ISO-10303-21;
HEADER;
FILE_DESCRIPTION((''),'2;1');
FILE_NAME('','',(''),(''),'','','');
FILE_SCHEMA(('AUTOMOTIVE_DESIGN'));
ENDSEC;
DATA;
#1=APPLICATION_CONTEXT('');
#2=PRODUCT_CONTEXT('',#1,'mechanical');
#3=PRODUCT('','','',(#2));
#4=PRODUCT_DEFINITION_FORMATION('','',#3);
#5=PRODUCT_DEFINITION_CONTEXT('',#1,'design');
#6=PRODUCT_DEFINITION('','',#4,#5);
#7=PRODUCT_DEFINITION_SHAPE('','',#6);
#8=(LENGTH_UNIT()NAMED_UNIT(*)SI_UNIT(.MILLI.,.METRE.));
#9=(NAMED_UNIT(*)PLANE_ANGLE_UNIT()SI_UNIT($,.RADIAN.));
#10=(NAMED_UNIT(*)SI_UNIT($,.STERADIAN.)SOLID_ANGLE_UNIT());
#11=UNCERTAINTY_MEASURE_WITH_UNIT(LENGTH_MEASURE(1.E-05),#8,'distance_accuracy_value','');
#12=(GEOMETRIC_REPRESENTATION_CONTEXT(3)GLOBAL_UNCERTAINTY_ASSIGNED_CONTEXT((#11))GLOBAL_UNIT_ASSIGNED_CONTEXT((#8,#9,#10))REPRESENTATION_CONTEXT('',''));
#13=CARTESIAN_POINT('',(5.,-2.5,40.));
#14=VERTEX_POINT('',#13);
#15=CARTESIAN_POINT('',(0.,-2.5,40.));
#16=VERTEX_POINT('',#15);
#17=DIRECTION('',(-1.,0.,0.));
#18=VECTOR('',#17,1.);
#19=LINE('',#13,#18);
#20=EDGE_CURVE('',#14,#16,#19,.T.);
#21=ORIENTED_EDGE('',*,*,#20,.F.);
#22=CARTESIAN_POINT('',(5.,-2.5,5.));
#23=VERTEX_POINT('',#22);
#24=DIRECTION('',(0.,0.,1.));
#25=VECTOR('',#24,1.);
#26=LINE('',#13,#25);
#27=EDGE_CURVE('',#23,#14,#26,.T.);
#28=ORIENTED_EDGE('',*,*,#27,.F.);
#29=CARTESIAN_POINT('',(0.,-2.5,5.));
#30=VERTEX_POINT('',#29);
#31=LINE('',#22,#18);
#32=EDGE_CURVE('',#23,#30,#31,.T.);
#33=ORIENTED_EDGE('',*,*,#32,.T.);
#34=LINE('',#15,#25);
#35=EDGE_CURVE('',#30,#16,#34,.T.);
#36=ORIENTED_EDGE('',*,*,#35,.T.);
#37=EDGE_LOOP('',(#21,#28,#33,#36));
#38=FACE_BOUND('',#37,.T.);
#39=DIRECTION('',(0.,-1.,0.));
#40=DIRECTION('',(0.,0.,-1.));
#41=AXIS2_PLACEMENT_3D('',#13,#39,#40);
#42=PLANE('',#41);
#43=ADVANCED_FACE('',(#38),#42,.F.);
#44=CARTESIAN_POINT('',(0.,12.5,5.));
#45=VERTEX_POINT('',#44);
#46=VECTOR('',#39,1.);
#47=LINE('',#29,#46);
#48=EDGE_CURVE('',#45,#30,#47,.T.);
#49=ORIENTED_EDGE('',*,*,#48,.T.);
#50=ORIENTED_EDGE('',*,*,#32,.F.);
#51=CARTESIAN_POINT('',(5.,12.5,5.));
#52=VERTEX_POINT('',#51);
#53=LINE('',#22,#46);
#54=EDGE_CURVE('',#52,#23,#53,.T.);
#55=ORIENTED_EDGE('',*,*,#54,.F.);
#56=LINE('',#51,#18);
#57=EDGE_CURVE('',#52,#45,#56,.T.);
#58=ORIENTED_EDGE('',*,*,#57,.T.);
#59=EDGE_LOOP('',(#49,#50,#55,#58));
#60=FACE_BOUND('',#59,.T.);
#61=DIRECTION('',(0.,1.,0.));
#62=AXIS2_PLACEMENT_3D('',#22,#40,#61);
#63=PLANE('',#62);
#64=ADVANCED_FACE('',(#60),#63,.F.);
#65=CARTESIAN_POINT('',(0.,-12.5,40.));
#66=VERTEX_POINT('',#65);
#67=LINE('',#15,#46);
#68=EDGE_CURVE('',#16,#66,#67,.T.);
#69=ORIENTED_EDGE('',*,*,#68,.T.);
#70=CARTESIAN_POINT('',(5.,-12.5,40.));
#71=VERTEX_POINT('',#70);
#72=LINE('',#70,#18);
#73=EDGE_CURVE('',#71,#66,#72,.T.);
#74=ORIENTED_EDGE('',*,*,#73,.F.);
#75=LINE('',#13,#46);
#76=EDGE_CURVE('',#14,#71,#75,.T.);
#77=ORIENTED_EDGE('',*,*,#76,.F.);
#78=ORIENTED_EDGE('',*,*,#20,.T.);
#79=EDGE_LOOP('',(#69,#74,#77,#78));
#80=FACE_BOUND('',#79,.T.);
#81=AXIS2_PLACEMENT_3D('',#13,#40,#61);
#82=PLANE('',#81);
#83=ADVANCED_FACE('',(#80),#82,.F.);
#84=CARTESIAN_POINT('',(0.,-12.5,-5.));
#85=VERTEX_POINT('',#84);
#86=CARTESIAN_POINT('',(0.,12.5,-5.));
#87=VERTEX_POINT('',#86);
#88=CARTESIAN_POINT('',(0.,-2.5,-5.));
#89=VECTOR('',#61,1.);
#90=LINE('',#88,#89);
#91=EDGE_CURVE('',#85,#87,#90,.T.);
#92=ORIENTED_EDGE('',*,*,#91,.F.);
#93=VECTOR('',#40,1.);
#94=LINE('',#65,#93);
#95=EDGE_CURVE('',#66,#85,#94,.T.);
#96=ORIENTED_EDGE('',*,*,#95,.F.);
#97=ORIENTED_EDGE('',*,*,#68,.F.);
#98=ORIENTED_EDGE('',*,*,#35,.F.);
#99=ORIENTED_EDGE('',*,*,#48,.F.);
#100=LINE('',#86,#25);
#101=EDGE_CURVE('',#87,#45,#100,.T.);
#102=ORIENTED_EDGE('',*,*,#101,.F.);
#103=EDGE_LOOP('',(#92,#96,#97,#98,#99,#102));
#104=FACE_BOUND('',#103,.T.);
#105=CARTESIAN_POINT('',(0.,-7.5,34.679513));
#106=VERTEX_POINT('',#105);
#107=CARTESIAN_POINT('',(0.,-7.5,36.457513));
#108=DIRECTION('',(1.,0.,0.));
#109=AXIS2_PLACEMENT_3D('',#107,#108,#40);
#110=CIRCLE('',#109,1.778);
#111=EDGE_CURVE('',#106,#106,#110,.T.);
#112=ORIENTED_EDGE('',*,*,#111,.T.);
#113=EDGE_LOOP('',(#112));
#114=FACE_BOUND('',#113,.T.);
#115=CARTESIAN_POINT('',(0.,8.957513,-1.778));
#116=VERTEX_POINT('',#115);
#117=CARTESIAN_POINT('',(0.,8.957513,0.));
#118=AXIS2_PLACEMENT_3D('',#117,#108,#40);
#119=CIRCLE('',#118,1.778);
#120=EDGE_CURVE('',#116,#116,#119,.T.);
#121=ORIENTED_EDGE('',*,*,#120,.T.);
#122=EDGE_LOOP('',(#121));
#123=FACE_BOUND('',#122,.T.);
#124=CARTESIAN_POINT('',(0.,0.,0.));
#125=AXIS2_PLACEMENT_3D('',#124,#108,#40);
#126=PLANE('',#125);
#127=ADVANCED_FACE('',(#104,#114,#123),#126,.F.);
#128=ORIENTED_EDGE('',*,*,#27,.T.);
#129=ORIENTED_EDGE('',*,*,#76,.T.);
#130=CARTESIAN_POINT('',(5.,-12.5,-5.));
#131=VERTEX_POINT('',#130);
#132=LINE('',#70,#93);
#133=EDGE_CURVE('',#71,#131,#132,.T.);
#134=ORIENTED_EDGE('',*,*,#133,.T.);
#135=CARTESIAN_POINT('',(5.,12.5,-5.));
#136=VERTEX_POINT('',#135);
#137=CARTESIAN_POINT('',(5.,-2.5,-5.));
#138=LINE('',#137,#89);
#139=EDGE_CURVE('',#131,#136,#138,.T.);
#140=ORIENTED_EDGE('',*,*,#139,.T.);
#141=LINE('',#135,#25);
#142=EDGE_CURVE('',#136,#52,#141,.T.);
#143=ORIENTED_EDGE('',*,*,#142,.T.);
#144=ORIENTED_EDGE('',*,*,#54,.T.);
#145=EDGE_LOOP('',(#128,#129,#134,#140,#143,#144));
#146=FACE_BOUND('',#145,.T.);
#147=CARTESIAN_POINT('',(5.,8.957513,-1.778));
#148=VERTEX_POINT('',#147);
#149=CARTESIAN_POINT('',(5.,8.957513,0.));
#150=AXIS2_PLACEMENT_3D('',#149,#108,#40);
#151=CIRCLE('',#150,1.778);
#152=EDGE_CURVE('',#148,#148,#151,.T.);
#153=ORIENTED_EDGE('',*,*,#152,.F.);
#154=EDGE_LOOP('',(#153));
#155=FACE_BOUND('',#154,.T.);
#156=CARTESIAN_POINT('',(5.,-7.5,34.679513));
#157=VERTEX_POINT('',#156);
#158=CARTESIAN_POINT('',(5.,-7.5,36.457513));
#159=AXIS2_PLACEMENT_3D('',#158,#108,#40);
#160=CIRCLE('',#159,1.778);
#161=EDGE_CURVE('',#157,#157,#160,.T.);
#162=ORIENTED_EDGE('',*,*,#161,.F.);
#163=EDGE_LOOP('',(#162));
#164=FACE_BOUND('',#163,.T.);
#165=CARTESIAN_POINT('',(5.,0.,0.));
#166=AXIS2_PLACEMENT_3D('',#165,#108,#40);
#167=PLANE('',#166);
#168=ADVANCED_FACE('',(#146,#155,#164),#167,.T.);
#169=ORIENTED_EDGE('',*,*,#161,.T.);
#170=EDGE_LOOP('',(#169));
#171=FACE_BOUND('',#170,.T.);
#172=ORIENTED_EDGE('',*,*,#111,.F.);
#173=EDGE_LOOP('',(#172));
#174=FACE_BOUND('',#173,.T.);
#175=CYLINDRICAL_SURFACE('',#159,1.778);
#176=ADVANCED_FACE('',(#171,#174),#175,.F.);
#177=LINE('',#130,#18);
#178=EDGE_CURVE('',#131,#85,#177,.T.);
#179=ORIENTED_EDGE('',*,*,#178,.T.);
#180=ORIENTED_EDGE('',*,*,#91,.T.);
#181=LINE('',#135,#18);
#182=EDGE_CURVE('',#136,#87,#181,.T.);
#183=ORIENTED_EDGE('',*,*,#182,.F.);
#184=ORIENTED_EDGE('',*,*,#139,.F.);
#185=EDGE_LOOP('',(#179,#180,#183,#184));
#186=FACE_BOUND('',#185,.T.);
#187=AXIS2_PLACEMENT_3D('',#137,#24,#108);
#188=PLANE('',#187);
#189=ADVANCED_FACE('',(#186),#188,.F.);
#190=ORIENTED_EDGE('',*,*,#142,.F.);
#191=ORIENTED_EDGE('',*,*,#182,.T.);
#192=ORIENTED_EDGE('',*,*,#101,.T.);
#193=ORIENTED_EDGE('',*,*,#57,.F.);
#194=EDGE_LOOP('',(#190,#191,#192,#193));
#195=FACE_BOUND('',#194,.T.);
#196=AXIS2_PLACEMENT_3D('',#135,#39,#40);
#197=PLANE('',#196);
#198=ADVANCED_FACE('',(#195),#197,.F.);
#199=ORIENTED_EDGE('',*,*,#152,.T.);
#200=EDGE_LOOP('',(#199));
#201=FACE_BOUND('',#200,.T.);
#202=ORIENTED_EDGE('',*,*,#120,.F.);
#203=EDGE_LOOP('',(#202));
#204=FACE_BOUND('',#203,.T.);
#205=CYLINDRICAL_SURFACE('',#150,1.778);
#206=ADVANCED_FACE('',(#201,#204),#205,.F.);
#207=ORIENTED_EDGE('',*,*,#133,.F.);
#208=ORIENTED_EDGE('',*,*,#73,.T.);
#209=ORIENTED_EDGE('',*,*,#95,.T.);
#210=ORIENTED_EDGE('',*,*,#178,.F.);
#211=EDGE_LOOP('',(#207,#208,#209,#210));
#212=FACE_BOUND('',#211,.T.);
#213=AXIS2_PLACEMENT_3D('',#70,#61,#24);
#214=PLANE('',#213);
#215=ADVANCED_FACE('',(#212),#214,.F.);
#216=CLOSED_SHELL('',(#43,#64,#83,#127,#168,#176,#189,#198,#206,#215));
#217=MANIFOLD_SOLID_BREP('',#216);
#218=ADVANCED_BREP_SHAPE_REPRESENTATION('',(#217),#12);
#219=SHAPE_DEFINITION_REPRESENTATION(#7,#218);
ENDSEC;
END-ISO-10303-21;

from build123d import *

# Parameters (mm, degrees)
BOSS_EXTRUDE1_DEPTH          = 5
F_5_32_0_14_DIAMETER_HOLE1_D = 3.556


with BuildPart() as part:
    # Sketch1 → Boss-Extrude1 (new body)
    with BuildSketch(Plane(origin=(0, 0, 0), x_dir=(0, 0, -1), z_dir=(1, 0, 0))):
        Polygon((-40, -2.5), (-5, -2.5), (-5, 12.5), (5, 12.5), (5, -2.5), (5, -12.5), (-40, -12.5), align=None)
    extrude(amount=BOSS_EXTRUDE1_DEPTH)

    # 5/32 (0.14) Diameter Hole1 (through all)
    with Locations(Plane(origin=(5, 0, 0), x_dir=(0, 0, -1), z_dir=(1, 0, 0))):
        with Locations((0, 8.957513111), (-36.457513111, -7.5)):
            Hole(F_5_32_0_14_DIAMETER_HOLE1_D / 2)


solid = part.part
